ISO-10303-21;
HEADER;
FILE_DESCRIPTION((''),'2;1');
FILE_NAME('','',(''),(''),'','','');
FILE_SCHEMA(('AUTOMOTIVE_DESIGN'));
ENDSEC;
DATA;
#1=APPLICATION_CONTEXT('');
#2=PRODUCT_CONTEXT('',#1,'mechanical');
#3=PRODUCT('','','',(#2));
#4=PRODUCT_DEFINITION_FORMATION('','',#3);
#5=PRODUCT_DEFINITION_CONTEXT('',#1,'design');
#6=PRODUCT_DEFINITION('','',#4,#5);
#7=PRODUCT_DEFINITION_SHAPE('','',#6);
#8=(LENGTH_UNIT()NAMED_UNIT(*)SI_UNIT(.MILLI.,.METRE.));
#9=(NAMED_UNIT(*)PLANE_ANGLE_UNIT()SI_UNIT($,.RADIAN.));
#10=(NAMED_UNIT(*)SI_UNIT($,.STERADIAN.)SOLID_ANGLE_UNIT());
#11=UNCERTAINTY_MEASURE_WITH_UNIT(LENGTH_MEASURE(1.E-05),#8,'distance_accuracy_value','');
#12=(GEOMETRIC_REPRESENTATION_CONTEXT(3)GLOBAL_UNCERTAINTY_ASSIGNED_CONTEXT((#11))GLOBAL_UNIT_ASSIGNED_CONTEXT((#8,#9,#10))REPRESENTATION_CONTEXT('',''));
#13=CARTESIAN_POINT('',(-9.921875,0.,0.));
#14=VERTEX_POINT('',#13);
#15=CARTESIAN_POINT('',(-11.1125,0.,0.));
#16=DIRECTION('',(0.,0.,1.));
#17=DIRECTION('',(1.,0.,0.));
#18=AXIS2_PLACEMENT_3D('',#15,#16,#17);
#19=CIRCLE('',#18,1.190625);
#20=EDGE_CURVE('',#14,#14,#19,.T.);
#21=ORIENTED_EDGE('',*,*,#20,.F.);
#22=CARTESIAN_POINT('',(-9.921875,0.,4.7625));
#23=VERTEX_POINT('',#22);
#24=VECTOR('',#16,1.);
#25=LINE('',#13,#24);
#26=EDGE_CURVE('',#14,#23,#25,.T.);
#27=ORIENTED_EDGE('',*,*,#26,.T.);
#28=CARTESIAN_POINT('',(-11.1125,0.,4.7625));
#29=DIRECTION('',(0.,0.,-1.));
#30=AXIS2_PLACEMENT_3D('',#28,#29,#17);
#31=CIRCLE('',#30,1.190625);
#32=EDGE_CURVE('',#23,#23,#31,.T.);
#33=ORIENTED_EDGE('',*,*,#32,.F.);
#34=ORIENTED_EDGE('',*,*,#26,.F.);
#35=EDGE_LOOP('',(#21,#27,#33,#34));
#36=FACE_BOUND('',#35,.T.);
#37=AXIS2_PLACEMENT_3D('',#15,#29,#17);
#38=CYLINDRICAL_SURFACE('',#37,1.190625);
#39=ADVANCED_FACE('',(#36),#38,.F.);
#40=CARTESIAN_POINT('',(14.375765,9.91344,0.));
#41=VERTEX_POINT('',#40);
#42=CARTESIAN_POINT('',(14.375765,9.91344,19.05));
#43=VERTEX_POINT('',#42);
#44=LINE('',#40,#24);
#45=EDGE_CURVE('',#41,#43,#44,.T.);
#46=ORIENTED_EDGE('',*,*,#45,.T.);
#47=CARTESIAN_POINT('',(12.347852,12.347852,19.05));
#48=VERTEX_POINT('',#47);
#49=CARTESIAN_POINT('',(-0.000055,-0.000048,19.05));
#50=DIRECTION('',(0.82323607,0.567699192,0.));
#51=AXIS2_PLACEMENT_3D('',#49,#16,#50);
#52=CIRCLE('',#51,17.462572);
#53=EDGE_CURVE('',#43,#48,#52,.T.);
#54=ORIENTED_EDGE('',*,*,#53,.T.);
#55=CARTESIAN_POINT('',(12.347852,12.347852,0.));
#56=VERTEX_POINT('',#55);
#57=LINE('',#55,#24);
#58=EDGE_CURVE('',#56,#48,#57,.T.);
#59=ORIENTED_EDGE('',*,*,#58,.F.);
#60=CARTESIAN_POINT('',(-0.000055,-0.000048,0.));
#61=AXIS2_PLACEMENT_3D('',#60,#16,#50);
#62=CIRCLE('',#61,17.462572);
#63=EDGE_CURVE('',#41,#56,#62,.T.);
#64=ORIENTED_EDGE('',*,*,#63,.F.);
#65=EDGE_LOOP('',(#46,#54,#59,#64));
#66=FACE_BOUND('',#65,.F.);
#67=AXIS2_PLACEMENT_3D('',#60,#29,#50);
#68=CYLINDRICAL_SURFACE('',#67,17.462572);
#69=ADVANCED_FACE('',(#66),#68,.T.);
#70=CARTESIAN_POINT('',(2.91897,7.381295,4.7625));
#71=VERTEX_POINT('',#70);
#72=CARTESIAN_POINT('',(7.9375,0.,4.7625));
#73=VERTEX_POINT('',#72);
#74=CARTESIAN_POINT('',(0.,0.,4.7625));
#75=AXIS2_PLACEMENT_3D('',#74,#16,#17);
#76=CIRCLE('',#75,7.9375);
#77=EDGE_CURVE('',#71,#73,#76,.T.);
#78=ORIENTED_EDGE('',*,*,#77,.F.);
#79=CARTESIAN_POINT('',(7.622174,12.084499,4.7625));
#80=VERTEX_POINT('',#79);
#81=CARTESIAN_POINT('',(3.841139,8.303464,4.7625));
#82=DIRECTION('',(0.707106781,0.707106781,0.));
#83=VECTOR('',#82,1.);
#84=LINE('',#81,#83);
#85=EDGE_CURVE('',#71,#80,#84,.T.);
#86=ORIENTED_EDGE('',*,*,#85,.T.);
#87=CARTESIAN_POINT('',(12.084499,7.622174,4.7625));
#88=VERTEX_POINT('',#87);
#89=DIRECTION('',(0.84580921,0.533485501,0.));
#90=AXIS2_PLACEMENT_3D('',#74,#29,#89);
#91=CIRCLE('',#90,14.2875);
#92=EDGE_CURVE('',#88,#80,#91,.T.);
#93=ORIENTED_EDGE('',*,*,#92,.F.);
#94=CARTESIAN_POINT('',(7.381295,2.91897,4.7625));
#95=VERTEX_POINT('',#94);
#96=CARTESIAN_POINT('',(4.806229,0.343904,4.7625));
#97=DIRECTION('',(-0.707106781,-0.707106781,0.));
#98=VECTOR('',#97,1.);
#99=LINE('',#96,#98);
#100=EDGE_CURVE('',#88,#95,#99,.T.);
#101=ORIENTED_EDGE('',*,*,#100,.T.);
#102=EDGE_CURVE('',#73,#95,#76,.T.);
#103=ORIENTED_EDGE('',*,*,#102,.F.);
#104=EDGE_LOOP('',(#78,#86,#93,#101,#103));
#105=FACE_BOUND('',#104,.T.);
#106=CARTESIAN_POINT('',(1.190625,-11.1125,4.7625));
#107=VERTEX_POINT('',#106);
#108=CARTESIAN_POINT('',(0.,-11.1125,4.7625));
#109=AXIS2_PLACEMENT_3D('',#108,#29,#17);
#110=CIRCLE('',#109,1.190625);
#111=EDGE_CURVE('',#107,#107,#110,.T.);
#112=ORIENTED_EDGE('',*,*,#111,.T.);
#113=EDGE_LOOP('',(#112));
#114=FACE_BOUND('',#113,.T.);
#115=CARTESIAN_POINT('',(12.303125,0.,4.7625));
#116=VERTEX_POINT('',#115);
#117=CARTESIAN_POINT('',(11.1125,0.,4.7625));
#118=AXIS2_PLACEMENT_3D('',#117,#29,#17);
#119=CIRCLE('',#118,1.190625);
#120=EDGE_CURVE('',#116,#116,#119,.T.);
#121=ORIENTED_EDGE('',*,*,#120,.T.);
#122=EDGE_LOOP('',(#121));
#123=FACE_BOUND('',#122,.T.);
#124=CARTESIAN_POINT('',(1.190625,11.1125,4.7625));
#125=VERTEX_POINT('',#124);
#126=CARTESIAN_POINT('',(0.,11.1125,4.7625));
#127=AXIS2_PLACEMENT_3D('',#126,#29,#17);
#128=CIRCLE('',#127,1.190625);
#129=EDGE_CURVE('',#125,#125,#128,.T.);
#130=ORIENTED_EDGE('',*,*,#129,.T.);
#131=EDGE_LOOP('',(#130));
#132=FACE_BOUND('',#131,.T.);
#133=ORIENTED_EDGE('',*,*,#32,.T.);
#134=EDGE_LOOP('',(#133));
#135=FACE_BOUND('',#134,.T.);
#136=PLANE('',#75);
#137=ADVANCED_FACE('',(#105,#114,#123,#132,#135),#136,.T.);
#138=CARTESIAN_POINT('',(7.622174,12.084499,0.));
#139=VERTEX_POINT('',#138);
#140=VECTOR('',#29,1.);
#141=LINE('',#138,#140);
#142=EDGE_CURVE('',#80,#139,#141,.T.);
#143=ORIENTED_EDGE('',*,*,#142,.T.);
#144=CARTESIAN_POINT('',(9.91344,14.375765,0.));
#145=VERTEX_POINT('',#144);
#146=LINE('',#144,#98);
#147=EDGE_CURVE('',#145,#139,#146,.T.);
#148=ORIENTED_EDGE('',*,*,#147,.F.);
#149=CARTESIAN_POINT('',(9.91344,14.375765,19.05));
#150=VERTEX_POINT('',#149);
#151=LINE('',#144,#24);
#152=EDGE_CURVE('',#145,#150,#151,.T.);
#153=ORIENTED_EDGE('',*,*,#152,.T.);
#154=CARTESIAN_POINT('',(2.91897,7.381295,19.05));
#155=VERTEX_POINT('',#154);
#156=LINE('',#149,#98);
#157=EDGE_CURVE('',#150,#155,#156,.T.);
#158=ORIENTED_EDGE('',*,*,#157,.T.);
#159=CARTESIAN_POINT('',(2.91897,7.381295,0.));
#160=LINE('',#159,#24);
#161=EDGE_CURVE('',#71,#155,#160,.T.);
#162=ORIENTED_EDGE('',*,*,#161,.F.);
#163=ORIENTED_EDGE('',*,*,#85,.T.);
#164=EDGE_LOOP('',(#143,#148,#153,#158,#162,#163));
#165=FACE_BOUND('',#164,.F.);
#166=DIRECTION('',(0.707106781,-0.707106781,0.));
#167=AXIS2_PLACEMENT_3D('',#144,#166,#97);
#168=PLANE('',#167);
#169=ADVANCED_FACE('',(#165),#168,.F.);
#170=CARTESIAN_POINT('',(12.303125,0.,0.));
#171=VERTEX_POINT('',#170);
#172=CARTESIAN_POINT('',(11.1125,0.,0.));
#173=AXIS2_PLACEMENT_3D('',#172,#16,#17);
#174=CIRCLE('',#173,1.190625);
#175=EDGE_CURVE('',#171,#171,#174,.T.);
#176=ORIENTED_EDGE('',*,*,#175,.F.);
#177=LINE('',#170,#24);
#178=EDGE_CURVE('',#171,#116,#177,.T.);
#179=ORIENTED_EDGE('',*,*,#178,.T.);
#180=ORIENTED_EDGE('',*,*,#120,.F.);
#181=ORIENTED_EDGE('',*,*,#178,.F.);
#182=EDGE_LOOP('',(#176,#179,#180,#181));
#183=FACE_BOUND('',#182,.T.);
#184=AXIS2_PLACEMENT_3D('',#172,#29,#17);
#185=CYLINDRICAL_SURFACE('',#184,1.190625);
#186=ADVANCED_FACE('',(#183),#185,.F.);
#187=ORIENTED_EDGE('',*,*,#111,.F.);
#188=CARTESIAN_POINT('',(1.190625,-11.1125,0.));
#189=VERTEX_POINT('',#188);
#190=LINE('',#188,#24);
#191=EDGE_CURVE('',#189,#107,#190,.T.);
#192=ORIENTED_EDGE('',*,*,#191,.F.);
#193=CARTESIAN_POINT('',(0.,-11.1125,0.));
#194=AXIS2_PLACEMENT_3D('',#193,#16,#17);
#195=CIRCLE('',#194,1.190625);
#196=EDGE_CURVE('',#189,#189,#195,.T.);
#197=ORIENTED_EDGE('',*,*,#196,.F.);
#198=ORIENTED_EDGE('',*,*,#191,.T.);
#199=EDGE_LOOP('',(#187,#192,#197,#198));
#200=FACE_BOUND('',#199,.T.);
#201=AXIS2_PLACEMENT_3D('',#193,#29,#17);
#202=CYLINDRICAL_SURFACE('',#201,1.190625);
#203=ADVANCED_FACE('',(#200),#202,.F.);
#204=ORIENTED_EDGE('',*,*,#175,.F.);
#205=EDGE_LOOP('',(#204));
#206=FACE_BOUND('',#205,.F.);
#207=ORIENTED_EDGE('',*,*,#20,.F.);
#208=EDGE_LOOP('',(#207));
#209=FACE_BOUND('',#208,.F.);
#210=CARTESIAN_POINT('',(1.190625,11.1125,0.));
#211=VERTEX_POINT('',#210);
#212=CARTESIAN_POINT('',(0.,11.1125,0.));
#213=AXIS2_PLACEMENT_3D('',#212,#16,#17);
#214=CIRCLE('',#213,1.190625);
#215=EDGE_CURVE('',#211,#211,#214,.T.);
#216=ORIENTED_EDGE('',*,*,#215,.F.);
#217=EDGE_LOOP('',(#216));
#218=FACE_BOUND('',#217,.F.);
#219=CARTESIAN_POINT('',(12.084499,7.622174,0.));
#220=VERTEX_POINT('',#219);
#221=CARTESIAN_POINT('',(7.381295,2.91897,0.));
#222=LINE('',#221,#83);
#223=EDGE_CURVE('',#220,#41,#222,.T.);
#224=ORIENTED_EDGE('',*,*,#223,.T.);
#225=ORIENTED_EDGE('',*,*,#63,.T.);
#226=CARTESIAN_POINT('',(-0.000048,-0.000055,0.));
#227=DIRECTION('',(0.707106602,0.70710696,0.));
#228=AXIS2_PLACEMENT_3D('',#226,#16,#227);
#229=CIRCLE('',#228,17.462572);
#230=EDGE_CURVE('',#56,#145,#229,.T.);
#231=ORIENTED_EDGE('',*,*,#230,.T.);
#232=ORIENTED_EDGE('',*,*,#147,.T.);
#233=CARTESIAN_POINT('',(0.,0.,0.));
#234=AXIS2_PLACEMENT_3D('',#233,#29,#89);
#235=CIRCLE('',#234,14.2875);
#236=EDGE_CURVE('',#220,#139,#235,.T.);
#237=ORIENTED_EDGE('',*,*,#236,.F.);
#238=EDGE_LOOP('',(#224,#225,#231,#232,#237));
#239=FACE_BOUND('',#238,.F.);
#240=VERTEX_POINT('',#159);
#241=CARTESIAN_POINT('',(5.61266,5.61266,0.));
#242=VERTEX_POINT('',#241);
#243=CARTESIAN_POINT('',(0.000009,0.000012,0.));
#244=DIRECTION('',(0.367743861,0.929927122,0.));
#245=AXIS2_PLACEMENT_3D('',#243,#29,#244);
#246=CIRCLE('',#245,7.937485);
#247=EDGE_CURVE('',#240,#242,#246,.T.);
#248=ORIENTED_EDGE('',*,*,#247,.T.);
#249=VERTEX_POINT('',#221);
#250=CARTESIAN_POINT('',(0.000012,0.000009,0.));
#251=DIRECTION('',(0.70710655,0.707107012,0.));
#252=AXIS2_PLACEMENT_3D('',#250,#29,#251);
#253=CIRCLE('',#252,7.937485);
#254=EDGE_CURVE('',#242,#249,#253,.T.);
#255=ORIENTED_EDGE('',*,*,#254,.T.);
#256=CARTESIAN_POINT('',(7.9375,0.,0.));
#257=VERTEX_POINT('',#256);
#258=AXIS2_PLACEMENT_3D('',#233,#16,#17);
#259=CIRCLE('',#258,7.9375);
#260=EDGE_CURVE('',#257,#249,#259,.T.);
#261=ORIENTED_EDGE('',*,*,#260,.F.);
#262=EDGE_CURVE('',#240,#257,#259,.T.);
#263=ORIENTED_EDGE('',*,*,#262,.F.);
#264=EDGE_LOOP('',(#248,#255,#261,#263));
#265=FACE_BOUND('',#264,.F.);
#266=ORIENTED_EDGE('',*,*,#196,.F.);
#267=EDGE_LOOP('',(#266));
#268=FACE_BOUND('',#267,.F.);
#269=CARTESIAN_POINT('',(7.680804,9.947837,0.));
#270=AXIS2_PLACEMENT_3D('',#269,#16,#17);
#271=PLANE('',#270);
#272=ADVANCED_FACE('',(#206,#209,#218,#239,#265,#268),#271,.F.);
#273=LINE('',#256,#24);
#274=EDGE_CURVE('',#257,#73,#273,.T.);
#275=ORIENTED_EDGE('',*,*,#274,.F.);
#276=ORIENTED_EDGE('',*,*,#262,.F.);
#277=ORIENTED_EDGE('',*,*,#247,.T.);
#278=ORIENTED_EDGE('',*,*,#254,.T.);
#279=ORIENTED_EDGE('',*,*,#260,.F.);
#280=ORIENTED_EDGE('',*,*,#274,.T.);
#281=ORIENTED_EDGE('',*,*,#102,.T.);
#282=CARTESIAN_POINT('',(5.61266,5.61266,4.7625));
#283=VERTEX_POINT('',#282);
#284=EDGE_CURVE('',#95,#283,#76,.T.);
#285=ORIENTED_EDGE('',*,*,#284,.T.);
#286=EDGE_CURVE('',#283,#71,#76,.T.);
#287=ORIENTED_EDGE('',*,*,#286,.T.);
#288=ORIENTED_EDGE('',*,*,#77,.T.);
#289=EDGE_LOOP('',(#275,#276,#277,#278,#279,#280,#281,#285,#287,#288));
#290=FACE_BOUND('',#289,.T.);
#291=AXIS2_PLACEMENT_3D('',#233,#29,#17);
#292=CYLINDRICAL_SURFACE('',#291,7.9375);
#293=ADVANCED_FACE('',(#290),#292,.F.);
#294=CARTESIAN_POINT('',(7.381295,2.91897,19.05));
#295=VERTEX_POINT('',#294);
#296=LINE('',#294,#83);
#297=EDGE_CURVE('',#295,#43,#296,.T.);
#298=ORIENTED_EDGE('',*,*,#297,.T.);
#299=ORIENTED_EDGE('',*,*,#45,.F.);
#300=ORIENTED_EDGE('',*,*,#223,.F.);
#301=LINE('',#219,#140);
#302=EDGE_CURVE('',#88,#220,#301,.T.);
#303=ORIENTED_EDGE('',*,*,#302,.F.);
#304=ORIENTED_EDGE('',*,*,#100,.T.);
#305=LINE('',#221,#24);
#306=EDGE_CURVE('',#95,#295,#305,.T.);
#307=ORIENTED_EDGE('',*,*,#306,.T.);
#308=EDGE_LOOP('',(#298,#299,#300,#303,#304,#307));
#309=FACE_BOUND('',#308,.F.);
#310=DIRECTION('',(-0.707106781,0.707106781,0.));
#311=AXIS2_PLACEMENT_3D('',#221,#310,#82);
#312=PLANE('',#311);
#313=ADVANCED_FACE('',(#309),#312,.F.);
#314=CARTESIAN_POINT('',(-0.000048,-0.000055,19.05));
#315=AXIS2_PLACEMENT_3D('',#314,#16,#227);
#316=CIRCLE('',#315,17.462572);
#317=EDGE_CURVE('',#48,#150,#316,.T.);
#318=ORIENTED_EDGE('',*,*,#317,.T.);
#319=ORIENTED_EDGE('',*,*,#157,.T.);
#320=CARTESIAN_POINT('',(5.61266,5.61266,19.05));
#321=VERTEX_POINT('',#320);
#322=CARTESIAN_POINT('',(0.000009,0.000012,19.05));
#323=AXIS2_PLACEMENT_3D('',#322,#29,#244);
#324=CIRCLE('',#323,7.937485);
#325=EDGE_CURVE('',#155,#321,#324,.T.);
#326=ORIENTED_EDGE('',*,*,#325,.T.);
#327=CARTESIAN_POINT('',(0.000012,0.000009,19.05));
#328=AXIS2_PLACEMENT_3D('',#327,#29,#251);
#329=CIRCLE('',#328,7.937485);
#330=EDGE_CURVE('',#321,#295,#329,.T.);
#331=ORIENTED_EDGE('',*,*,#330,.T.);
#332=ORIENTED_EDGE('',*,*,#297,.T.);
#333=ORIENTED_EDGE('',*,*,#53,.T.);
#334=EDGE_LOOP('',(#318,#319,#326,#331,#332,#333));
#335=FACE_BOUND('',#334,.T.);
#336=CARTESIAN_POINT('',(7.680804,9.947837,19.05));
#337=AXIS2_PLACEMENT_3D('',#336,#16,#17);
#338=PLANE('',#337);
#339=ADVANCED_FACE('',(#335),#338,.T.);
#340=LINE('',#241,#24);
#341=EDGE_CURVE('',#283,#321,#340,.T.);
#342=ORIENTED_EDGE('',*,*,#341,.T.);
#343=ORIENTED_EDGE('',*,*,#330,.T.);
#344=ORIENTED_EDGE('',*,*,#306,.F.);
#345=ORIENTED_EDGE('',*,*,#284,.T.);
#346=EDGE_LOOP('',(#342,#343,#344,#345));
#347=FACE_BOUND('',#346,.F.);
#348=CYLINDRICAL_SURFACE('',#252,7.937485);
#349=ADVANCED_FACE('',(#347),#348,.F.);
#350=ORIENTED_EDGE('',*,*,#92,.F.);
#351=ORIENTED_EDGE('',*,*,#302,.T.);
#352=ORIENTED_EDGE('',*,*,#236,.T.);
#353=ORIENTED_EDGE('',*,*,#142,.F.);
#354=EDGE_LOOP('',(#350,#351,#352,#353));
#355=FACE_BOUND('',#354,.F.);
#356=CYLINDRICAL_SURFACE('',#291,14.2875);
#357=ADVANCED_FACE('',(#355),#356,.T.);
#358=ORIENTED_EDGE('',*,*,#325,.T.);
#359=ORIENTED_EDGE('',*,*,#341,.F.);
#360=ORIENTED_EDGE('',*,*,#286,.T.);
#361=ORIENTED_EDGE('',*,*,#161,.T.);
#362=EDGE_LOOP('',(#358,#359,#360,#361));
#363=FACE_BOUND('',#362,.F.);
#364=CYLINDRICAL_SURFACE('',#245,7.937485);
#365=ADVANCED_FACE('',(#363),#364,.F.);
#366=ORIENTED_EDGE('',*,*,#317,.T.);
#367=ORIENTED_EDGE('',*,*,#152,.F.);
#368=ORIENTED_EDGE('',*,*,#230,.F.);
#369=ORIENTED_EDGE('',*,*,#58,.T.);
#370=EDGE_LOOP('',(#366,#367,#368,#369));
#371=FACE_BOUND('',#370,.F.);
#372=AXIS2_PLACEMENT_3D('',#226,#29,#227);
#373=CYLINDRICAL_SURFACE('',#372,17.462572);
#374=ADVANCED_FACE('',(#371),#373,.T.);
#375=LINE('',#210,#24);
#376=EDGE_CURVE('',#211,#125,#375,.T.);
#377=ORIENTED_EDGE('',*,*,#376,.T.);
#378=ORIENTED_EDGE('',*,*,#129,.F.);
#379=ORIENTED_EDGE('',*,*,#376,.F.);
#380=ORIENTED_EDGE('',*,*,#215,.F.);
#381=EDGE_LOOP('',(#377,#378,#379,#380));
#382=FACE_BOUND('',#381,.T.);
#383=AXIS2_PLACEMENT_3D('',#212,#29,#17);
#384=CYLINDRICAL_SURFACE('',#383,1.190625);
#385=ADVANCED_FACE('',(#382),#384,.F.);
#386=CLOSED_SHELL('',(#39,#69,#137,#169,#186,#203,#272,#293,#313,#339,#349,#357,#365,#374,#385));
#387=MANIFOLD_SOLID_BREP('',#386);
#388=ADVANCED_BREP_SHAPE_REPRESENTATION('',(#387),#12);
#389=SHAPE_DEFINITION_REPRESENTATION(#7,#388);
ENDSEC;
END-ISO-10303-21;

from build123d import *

# Parameters (mm, degrees)
F0_R     = 14.2875
F0_R_2   = 7.9375
F1_DEPTH = 4.7625
F2_R     = 1.190625
F3_DEPTH = 25.4
F5_DEPTH = 19.05


with BuildPart() as f1:
    # F0 (on Top) → F1 (new body)
    with BuildSketch(Plane.XY):
        Circle(F0_R)
        Circle(F0_R_2, mode=Mode.SUBTRACT)
    extrude(amount=F1_DEPTH)

    # F2 (on Top) → F3 (cut)
    with BuildSketch(Plane.XY):
        with Locations((0, 11.1125)):
            Circle(F2_R)
        with Locations((11.1125, 0)):
            Circle(F2_R)
        with Locations((-11.1125, 0)):
            Circle(F2_R)
        with Locations((0, -11.1125)):
            Circle(F2_R)
    extrude(amount=F3_DEPTH, mode=Mode.SUBTRACT)

    # F4 (on Top) → F5 (join)
    with BuildSketch(Plane.XY):
        with BuildLine():
            Line((5.61266, 5.61266), (12.347852, 12.347852))
            ThreePointArc((12.347852, 12.347852), (11.176734, 13.417135), (9.91344, 14.375765))
            Line((9.91344, 14.375765), (2.91897, 7.381295))
            ThreePointArc((2.91897, 7.381295), (4.356512, 6.635112), (5.61266, 5.61266))
        make_face()
        with BuildLine():
            Line((7.381295, 2.91897), (14.375765, 9.91344))
            ThreePointArc((14.375765, 9.91344), (13.417135, 11.176734), (12.347852, 12.347852))
            Line((12.347852, 12.347852), (5.61266, 5.61266))
            ThreePointArc((5.61266, 5.61266), (6.635112, 4.356512), (7.381295, 2.91897))
        make_face()
    extrude(amount=F5_DEPTH)


solid = f1.part
